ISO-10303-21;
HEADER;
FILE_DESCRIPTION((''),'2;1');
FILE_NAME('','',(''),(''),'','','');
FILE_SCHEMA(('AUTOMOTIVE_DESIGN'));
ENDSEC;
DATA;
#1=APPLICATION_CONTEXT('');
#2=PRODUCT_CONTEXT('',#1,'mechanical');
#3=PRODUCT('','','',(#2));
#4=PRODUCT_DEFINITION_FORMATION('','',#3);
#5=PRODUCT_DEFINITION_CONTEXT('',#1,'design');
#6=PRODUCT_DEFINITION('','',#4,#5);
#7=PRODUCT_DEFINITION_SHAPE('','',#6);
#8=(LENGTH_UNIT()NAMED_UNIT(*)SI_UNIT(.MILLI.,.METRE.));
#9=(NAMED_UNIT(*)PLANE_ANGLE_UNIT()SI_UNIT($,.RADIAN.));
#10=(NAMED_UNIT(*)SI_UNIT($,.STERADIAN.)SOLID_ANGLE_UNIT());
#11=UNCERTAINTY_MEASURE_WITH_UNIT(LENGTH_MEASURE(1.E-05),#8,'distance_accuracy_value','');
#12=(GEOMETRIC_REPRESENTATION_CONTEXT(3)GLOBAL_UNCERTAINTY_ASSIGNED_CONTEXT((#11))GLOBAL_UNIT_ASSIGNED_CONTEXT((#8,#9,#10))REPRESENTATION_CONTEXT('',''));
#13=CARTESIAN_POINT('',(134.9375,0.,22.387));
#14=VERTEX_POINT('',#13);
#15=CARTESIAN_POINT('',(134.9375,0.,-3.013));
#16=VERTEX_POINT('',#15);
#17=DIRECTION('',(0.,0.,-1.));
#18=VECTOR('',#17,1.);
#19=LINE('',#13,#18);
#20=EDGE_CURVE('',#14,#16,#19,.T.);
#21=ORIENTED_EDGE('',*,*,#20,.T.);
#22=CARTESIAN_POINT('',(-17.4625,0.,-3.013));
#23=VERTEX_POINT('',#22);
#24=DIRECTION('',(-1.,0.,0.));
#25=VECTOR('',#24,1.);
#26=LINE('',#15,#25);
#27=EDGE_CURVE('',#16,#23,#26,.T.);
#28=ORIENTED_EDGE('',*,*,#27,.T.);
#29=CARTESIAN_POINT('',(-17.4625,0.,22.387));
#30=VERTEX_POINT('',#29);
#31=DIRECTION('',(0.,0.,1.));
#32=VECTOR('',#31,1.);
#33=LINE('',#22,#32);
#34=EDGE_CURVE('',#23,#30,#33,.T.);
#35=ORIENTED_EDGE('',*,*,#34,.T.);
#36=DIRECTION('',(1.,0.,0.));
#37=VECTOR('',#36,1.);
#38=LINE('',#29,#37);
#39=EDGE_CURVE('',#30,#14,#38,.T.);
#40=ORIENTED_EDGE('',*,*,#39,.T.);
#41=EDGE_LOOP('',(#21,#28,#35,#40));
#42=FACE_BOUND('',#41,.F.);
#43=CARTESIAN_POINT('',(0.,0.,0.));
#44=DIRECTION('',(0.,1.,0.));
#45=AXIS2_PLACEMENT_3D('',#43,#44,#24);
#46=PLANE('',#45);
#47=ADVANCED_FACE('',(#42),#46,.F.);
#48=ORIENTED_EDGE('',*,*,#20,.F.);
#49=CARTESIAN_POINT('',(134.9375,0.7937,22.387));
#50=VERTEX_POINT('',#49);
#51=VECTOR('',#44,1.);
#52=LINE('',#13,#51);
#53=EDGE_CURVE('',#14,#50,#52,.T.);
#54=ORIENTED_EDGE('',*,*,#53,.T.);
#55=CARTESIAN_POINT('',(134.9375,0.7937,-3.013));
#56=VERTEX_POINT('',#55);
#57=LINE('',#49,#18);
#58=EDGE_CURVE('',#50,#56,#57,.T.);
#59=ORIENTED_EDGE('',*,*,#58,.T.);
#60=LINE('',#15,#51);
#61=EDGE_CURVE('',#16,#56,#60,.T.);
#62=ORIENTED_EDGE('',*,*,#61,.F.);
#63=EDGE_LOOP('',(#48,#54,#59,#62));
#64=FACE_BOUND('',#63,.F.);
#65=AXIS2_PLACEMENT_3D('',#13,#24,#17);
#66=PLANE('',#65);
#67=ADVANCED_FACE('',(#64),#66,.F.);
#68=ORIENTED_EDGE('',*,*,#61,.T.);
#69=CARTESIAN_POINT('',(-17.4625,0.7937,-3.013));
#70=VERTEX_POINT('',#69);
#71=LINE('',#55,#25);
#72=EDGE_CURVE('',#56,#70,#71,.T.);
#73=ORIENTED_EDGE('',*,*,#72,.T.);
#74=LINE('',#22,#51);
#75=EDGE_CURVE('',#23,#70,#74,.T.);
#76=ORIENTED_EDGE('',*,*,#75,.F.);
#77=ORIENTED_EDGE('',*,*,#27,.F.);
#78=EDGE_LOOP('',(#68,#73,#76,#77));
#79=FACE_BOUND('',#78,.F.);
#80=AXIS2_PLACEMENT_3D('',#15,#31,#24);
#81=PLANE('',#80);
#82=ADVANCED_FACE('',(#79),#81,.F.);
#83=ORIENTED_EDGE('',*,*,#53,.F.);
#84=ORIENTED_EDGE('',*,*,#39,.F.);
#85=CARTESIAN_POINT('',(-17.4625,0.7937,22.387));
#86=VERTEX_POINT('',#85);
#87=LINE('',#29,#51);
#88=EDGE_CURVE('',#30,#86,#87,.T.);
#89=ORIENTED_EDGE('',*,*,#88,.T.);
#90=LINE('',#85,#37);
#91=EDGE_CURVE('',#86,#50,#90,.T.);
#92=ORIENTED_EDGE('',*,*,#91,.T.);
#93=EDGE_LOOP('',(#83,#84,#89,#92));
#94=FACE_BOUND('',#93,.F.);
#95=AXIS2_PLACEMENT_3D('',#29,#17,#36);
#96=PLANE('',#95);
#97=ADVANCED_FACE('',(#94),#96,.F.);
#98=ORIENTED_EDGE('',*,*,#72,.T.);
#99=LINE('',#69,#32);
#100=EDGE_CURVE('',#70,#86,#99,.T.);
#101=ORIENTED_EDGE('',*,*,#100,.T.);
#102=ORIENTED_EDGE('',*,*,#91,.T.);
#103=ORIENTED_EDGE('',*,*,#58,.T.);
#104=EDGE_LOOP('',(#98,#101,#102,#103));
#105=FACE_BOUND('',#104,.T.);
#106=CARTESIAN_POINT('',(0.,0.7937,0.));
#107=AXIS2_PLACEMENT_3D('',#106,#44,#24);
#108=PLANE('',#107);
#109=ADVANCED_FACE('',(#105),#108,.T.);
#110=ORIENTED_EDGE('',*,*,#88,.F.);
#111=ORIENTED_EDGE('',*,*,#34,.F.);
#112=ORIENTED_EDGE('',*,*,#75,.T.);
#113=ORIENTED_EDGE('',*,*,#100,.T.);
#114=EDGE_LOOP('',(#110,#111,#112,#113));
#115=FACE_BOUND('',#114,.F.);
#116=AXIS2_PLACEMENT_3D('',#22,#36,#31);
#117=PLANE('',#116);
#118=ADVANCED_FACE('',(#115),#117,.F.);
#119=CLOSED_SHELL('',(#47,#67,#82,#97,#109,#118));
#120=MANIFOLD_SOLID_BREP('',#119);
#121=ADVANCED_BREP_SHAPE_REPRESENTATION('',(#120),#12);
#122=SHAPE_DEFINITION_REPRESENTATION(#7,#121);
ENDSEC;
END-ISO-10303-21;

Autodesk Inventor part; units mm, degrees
ref_plane "YZ Plane" through (0, 0, 0) normal (1, 0, 0) x (0, 1, 0)
ref_plane "XZ Plane" through (0, 0, 0) normal (0, 1, 0) x (-1, 0, 0)
ref_plane "XY Plane" through (0, 0, 0) normal (0, 0, 1) x (1, 0, 0)
sketch "Sketch1" plane through (0, 0, 0) normal (0, 1, 0) x (-1, 0, 0)
  line L0 (17.4625, 22.387) -> (-134.9375, 22.387)
  line L1 (-134.9375, 22.387) -> (-134.9375, -3.013)
  line L2 (-134.9375, -3.013) -> (17.4625, -3.013)
  line L3 (17.4625, -3.013) -> (17.4625, 22.387)
  point P0 (0, 0)
  dimension "d0" = 25.4
  dimension "d1" = 152.4
extrude "Extrusion1" add sketch "Sketch1" along normal blind 0.7937
properties part number "Shim1-32"
